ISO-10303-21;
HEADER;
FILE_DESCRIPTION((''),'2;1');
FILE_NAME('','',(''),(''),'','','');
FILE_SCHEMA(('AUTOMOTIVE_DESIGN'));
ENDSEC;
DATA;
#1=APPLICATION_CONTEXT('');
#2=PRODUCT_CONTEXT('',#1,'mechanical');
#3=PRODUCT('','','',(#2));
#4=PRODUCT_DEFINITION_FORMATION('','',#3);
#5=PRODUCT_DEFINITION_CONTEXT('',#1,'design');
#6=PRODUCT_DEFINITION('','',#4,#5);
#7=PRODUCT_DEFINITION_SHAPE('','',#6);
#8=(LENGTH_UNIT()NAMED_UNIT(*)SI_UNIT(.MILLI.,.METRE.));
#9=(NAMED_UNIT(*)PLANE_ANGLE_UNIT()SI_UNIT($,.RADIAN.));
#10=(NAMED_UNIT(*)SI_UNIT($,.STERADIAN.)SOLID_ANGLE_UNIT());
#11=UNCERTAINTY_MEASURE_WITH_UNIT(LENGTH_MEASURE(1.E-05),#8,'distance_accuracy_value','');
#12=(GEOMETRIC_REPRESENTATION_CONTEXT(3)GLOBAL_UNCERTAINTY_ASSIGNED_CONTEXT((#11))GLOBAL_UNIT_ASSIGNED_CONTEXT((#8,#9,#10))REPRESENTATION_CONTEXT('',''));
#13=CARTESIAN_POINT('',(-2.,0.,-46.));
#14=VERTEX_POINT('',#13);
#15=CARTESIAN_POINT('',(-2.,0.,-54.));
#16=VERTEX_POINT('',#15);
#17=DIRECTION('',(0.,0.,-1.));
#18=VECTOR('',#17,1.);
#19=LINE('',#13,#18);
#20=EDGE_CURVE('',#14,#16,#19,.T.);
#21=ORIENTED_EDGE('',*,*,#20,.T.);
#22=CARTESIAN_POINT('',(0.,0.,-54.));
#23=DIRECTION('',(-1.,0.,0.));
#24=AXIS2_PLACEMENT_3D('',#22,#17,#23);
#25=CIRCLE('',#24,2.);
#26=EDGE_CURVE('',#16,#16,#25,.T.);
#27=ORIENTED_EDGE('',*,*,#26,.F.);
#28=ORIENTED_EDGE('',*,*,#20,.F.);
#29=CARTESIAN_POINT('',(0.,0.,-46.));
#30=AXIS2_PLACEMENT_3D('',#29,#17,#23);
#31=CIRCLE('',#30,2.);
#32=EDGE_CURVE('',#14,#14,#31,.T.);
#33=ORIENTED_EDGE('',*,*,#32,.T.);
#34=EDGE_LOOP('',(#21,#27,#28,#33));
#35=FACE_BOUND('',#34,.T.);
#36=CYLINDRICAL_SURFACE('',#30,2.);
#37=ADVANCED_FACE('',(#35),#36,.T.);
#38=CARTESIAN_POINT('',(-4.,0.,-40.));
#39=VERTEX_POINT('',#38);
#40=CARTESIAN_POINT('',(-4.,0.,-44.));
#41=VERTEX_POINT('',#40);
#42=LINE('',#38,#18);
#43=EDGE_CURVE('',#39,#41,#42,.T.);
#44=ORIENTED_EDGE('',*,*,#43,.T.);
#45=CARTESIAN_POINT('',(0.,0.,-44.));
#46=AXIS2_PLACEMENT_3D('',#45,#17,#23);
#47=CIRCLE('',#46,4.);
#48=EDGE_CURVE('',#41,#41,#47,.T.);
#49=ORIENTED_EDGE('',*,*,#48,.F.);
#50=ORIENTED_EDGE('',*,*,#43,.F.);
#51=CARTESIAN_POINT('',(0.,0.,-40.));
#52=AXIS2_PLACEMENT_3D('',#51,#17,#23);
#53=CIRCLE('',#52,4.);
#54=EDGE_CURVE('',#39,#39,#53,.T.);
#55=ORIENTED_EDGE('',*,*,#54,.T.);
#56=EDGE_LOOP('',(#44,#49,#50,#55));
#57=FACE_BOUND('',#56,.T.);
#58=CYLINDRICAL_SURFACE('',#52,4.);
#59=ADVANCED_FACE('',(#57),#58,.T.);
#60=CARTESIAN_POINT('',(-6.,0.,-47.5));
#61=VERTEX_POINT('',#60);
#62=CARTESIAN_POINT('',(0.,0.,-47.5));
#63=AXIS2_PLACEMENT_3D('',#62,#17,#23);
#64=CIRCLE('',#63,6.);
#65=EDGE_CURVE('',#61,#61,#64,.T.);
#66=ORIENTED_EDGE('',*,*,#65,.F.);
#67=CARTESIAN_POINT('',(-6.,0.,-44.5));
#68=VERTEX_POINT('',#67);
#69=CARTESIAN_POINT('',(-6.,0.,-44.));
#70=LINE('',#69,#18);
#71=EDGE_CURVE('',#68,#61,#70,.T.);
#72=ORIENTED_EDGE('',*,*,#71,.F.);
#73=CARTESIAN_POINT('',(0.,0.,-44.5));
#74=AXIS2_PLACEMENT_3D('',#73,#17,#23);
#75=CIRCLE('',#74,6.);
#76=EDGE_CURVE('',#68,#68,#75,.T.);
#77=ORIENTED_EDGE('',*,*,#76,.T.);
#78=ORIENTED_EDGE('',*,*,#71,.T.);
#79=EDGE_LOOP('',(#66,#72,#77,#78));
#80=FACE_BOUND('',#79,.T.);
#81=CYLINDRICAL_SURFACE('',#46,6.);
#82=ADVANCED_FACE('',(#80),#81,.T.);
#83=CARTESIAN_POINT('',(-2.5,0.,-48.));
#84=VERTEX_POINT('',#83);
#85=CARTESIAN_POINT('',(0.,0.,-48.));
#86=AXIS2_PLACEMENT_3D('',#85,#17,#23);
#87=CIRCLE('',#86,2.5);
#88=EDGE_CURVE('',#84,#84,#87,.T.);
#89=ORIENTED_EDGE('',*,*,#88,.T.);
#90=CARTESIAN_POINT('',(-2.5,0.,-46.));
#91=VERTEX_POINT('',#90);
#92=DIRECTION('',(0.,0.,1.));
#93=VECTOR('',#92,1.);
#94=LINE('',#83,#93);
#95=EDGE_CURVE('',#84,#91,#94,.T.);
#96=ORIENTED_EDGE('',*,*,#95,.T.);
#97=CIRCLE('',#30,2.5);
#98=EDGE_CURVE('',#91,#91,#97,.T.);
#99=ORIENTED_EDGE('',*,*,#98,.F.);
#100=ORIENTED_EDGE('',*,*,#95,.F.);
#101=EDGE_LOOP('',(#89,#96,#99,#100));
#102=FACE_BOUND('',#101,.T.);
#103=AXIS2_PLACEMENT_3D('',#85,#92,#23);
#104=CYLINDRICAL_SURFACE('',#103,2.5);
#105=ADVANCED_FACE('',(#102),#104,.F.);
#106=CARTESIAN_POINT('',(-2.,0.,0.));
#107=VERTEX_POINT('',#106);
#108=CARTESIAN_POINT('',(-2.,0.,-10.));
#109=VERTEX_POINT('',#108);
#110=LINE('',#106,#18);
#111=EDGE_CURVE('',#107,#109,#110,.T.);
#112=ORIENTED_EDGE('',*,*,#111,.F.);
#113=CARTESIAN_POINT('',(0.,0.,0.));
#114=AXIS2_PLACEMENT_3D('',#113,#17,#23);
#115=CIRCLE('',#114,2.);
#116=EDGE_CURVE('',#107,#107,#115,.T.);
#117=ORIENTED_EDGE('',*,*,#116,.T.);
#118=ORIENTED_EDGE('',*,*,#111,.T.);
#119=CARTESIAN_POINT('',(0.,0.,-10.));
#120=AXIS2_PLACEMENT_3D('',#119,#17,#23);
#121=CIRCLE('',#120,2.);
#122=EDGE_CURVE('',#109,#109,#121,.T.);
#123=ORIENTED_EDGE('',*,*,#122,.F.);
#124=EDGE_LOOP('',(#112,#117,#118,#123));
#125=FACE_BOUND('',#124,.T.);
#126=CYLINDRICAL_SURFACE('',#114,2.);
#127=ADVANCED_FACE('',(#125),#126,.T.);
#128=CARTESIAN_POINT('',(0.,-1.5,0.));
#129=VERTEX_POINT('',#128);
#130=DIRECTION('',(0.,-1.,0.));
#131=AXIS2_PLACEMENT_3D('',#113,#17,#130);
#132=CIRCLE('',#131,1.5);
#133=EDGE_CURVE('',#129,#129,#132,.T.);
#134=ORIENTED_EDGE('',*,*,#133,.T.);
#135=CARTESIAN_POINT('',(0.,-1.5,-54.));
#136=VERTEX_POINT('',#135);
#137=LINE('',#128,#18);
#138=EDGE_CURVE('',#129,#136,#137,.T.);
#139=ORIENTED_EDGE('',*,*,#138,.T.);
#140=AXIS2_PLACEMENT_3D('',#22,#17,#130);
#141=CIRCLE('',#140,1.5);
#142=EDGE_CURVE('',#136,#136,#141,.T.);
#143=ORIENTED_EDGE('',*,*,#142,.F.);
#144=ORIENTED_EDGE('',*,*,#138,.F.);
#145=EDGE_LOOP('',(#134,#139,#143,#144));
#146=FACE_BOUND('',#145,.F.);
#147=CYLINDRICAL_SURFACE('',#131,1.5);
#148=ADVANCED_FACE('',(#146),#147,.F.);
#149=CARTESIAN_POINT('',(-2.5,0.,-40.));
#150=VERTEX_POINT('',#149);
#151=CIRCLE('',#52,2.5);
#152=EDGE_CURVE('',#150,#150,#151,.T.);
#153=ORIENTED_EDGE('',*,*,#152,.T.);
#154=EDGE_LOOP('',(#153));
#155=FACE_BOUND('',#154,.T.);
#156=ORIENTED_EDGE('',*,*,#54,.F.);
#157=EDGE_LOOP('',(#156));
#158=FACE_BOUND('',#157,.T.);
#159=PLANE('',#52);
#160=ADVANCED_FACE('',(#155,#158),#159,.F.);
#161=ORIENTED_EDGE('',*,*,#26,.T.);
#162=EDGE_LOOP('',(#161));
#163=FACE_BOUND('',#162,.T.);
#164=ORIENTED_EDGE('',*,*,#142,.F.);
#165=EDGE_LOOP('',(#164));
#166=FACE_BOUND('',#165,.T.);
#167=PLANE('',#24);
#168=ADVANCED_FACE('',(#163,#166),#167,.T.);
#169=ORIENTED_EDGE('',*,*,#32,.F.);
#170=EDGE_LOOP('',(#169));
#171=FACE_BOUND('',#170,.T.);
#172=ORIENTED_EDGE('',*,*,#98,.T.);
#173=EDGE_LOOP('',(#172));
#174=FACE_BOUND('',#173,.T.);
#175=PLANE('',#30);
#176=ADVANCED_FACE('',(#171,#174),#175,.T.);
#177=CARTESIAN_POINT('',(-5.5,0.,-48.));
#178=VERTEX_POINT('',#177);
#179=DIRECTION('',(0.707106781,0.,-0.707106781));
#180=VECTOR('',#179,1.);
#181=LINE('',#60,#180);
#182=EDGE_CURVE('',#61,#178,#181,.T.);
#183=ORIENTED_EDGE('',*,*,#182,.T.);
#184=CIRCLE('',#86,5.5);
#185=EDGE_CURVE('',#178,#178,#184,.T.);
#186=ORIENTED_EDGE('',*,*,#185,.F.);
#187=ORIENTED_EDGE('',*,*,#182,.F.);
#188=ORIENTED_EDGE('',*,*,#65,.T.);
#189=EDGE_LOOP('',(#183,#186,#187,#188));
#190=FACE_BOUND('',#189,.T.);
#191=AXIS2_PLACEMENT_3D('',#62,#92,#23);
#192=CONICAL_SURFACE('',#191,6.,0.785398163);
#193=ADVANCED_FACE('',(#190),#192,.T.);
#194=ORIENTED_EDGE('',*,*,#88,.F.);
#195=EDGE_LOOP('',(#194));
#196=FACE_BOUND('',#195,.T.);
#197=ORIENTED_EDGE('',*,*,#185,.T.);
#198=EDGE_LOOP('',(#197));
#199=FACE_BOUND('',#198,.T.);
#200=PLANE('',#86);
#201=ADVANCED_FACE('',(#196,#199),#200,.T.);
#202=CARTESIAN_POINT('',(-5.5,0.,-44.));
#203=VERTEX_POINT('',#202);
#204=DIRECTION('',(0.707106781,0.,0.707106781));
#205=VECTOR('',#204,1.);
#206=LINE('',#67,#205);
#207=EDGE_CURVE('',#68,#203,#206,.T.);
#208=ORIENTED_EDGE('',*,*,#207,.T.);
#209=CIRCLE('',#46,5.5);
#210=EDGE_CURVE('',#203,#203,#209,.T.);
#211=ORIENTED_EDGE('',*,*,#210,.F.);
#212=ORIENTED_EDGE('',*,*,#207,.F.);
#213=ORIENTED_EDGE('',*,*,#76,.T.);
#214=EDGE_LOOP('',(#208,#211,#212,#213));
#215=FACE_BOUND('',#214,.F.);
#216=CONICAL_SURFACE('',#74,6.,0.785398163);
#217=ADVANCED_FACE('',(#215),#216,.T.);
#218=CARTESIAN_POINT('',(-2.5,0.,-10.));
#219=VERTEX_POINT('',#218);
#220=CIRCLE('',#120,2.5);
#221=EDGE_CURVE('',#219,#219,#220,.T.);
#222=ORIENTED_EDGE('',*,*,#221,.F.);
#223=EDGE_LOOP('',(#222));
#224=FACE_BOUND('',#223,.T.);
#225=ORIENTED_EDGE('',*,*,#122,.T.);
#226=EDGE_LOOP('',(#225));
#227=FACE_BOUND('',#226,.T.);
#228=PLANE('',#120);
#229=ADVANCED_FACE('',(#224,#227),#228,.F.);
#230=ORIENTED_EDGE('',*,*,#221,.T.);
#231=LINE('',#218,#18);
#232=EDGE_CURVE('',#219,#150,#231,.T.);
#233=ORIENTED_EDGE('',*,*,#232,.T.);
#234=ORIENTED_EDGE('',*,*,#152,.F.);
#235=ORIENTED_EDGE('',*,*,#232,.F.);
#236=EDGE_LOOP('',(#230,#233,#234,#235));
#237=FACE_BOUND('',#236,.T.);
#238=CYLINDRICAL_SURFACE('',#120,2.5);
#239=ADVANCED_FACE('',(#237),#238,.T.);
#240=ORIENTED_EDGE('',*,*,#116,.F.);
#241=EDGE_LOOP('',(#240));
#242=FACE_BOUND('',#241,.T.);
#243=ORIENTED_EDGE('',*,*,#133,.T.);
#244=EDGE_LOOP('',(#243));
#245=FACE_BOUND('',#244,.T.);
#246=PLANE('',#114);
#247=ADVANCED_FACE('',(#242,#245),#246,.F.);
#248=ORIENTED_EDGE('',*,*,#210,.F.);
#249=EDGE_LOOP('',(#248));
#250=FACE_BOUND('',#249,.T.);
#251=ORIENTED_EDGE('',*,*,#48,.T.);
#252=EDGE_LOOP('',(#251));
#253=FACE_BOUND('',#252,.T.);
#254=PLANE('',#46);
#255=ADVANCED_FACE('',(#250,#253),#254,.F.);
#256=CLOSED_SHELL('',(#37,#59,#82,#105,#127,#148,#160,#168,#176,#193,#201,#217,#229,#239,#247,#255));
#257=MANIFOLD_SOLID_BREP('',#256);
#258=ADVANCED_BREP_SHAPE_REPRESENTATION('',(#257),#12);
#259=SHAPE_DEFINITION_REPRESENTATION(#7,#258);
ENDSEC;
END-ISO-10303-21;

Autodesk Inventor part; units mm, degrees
ref_plane "YZ Plane" through (0, 0, 0) normal (1, 0, 0) x (0, 1, 0)
ref_plane "XZ Plane" through (0, 0, 0) normal (0, 1, 0) x (-1, 0, 0)
ref_plane "XY Plane" through (0, 0, 0) normal (0, 0, 1) x (1, 0, 0)
sketch "Skizze1" plane through (0, 0, 0) normal (0, 1, 0) x (-1, 0, 0)
  line L0 (0, 0) -> (0, -54)
  line L1 (0, 0) -> (2, 0)
  line L2 (2, 0) -> (2, -10)
  line L3 (2, -10) -> (2.5, -10)
  line L4 (2.5, -10) -> (2.5, -40)
  line L5 (2.5, -40) -> (4, -40)
  line L6 (4, -40) -> (4, -44)
  line L7 (4, -44) -> (6, -44)
  line L8 (6, -44) -> (6, -48)
  line L9 (6, -48) -> (2.5, -48)
  line L10 (2.5, -48) -> (2.5, -46)
  line L11 (2.5, -46) -> (2, -46)
  line L12 (2, -46) -> (2, -54)
  line L13 (2, -54) -> (0, -54)
  point P0 (0, -27)
  point P1 (4.25, -48)
  point P2 (3.25, -40)
  point P3 (1, -54)
  point P4 (1, 0)
  dimension "d0" = 54
  dimension "d1" = 36
  dimension "d2" = 4
  dimension "d3" = 4
  dimension "d4" = 4
  dimension "d5" = 12
  dimension "d6" = 5
  dimension "d7" = 8
  dimension "d8" = 8
  dimension "d11" = 10
  dimension "d12" = 6
revolve "Umdrehung1" add sketch "Skizze1" angle 360 about axis through (0, 0, 0) along (0, 0, -1)
thread "Gewinde1" size "M8x1.25" class "6g" standard "ISO Metric profile" length 18
chamfer "Fasen1" distance 0.5 angle 45 1 edges at (6, 0, -48)
chamfer "Fasen2" distance 0.5 angle 45 1 edges at (6, 0, -44)
sketch "Skizze2" plane through (0, 0, 0) normal (0, 0, 1) x (1, 0, 0)
  circle A0 centre (0, 0) radius 2 projected
hole "Bohrung1" at (0, 0, 0) direction (0, 0, -1) diameter 3 end through all
properties part number "BRS"
